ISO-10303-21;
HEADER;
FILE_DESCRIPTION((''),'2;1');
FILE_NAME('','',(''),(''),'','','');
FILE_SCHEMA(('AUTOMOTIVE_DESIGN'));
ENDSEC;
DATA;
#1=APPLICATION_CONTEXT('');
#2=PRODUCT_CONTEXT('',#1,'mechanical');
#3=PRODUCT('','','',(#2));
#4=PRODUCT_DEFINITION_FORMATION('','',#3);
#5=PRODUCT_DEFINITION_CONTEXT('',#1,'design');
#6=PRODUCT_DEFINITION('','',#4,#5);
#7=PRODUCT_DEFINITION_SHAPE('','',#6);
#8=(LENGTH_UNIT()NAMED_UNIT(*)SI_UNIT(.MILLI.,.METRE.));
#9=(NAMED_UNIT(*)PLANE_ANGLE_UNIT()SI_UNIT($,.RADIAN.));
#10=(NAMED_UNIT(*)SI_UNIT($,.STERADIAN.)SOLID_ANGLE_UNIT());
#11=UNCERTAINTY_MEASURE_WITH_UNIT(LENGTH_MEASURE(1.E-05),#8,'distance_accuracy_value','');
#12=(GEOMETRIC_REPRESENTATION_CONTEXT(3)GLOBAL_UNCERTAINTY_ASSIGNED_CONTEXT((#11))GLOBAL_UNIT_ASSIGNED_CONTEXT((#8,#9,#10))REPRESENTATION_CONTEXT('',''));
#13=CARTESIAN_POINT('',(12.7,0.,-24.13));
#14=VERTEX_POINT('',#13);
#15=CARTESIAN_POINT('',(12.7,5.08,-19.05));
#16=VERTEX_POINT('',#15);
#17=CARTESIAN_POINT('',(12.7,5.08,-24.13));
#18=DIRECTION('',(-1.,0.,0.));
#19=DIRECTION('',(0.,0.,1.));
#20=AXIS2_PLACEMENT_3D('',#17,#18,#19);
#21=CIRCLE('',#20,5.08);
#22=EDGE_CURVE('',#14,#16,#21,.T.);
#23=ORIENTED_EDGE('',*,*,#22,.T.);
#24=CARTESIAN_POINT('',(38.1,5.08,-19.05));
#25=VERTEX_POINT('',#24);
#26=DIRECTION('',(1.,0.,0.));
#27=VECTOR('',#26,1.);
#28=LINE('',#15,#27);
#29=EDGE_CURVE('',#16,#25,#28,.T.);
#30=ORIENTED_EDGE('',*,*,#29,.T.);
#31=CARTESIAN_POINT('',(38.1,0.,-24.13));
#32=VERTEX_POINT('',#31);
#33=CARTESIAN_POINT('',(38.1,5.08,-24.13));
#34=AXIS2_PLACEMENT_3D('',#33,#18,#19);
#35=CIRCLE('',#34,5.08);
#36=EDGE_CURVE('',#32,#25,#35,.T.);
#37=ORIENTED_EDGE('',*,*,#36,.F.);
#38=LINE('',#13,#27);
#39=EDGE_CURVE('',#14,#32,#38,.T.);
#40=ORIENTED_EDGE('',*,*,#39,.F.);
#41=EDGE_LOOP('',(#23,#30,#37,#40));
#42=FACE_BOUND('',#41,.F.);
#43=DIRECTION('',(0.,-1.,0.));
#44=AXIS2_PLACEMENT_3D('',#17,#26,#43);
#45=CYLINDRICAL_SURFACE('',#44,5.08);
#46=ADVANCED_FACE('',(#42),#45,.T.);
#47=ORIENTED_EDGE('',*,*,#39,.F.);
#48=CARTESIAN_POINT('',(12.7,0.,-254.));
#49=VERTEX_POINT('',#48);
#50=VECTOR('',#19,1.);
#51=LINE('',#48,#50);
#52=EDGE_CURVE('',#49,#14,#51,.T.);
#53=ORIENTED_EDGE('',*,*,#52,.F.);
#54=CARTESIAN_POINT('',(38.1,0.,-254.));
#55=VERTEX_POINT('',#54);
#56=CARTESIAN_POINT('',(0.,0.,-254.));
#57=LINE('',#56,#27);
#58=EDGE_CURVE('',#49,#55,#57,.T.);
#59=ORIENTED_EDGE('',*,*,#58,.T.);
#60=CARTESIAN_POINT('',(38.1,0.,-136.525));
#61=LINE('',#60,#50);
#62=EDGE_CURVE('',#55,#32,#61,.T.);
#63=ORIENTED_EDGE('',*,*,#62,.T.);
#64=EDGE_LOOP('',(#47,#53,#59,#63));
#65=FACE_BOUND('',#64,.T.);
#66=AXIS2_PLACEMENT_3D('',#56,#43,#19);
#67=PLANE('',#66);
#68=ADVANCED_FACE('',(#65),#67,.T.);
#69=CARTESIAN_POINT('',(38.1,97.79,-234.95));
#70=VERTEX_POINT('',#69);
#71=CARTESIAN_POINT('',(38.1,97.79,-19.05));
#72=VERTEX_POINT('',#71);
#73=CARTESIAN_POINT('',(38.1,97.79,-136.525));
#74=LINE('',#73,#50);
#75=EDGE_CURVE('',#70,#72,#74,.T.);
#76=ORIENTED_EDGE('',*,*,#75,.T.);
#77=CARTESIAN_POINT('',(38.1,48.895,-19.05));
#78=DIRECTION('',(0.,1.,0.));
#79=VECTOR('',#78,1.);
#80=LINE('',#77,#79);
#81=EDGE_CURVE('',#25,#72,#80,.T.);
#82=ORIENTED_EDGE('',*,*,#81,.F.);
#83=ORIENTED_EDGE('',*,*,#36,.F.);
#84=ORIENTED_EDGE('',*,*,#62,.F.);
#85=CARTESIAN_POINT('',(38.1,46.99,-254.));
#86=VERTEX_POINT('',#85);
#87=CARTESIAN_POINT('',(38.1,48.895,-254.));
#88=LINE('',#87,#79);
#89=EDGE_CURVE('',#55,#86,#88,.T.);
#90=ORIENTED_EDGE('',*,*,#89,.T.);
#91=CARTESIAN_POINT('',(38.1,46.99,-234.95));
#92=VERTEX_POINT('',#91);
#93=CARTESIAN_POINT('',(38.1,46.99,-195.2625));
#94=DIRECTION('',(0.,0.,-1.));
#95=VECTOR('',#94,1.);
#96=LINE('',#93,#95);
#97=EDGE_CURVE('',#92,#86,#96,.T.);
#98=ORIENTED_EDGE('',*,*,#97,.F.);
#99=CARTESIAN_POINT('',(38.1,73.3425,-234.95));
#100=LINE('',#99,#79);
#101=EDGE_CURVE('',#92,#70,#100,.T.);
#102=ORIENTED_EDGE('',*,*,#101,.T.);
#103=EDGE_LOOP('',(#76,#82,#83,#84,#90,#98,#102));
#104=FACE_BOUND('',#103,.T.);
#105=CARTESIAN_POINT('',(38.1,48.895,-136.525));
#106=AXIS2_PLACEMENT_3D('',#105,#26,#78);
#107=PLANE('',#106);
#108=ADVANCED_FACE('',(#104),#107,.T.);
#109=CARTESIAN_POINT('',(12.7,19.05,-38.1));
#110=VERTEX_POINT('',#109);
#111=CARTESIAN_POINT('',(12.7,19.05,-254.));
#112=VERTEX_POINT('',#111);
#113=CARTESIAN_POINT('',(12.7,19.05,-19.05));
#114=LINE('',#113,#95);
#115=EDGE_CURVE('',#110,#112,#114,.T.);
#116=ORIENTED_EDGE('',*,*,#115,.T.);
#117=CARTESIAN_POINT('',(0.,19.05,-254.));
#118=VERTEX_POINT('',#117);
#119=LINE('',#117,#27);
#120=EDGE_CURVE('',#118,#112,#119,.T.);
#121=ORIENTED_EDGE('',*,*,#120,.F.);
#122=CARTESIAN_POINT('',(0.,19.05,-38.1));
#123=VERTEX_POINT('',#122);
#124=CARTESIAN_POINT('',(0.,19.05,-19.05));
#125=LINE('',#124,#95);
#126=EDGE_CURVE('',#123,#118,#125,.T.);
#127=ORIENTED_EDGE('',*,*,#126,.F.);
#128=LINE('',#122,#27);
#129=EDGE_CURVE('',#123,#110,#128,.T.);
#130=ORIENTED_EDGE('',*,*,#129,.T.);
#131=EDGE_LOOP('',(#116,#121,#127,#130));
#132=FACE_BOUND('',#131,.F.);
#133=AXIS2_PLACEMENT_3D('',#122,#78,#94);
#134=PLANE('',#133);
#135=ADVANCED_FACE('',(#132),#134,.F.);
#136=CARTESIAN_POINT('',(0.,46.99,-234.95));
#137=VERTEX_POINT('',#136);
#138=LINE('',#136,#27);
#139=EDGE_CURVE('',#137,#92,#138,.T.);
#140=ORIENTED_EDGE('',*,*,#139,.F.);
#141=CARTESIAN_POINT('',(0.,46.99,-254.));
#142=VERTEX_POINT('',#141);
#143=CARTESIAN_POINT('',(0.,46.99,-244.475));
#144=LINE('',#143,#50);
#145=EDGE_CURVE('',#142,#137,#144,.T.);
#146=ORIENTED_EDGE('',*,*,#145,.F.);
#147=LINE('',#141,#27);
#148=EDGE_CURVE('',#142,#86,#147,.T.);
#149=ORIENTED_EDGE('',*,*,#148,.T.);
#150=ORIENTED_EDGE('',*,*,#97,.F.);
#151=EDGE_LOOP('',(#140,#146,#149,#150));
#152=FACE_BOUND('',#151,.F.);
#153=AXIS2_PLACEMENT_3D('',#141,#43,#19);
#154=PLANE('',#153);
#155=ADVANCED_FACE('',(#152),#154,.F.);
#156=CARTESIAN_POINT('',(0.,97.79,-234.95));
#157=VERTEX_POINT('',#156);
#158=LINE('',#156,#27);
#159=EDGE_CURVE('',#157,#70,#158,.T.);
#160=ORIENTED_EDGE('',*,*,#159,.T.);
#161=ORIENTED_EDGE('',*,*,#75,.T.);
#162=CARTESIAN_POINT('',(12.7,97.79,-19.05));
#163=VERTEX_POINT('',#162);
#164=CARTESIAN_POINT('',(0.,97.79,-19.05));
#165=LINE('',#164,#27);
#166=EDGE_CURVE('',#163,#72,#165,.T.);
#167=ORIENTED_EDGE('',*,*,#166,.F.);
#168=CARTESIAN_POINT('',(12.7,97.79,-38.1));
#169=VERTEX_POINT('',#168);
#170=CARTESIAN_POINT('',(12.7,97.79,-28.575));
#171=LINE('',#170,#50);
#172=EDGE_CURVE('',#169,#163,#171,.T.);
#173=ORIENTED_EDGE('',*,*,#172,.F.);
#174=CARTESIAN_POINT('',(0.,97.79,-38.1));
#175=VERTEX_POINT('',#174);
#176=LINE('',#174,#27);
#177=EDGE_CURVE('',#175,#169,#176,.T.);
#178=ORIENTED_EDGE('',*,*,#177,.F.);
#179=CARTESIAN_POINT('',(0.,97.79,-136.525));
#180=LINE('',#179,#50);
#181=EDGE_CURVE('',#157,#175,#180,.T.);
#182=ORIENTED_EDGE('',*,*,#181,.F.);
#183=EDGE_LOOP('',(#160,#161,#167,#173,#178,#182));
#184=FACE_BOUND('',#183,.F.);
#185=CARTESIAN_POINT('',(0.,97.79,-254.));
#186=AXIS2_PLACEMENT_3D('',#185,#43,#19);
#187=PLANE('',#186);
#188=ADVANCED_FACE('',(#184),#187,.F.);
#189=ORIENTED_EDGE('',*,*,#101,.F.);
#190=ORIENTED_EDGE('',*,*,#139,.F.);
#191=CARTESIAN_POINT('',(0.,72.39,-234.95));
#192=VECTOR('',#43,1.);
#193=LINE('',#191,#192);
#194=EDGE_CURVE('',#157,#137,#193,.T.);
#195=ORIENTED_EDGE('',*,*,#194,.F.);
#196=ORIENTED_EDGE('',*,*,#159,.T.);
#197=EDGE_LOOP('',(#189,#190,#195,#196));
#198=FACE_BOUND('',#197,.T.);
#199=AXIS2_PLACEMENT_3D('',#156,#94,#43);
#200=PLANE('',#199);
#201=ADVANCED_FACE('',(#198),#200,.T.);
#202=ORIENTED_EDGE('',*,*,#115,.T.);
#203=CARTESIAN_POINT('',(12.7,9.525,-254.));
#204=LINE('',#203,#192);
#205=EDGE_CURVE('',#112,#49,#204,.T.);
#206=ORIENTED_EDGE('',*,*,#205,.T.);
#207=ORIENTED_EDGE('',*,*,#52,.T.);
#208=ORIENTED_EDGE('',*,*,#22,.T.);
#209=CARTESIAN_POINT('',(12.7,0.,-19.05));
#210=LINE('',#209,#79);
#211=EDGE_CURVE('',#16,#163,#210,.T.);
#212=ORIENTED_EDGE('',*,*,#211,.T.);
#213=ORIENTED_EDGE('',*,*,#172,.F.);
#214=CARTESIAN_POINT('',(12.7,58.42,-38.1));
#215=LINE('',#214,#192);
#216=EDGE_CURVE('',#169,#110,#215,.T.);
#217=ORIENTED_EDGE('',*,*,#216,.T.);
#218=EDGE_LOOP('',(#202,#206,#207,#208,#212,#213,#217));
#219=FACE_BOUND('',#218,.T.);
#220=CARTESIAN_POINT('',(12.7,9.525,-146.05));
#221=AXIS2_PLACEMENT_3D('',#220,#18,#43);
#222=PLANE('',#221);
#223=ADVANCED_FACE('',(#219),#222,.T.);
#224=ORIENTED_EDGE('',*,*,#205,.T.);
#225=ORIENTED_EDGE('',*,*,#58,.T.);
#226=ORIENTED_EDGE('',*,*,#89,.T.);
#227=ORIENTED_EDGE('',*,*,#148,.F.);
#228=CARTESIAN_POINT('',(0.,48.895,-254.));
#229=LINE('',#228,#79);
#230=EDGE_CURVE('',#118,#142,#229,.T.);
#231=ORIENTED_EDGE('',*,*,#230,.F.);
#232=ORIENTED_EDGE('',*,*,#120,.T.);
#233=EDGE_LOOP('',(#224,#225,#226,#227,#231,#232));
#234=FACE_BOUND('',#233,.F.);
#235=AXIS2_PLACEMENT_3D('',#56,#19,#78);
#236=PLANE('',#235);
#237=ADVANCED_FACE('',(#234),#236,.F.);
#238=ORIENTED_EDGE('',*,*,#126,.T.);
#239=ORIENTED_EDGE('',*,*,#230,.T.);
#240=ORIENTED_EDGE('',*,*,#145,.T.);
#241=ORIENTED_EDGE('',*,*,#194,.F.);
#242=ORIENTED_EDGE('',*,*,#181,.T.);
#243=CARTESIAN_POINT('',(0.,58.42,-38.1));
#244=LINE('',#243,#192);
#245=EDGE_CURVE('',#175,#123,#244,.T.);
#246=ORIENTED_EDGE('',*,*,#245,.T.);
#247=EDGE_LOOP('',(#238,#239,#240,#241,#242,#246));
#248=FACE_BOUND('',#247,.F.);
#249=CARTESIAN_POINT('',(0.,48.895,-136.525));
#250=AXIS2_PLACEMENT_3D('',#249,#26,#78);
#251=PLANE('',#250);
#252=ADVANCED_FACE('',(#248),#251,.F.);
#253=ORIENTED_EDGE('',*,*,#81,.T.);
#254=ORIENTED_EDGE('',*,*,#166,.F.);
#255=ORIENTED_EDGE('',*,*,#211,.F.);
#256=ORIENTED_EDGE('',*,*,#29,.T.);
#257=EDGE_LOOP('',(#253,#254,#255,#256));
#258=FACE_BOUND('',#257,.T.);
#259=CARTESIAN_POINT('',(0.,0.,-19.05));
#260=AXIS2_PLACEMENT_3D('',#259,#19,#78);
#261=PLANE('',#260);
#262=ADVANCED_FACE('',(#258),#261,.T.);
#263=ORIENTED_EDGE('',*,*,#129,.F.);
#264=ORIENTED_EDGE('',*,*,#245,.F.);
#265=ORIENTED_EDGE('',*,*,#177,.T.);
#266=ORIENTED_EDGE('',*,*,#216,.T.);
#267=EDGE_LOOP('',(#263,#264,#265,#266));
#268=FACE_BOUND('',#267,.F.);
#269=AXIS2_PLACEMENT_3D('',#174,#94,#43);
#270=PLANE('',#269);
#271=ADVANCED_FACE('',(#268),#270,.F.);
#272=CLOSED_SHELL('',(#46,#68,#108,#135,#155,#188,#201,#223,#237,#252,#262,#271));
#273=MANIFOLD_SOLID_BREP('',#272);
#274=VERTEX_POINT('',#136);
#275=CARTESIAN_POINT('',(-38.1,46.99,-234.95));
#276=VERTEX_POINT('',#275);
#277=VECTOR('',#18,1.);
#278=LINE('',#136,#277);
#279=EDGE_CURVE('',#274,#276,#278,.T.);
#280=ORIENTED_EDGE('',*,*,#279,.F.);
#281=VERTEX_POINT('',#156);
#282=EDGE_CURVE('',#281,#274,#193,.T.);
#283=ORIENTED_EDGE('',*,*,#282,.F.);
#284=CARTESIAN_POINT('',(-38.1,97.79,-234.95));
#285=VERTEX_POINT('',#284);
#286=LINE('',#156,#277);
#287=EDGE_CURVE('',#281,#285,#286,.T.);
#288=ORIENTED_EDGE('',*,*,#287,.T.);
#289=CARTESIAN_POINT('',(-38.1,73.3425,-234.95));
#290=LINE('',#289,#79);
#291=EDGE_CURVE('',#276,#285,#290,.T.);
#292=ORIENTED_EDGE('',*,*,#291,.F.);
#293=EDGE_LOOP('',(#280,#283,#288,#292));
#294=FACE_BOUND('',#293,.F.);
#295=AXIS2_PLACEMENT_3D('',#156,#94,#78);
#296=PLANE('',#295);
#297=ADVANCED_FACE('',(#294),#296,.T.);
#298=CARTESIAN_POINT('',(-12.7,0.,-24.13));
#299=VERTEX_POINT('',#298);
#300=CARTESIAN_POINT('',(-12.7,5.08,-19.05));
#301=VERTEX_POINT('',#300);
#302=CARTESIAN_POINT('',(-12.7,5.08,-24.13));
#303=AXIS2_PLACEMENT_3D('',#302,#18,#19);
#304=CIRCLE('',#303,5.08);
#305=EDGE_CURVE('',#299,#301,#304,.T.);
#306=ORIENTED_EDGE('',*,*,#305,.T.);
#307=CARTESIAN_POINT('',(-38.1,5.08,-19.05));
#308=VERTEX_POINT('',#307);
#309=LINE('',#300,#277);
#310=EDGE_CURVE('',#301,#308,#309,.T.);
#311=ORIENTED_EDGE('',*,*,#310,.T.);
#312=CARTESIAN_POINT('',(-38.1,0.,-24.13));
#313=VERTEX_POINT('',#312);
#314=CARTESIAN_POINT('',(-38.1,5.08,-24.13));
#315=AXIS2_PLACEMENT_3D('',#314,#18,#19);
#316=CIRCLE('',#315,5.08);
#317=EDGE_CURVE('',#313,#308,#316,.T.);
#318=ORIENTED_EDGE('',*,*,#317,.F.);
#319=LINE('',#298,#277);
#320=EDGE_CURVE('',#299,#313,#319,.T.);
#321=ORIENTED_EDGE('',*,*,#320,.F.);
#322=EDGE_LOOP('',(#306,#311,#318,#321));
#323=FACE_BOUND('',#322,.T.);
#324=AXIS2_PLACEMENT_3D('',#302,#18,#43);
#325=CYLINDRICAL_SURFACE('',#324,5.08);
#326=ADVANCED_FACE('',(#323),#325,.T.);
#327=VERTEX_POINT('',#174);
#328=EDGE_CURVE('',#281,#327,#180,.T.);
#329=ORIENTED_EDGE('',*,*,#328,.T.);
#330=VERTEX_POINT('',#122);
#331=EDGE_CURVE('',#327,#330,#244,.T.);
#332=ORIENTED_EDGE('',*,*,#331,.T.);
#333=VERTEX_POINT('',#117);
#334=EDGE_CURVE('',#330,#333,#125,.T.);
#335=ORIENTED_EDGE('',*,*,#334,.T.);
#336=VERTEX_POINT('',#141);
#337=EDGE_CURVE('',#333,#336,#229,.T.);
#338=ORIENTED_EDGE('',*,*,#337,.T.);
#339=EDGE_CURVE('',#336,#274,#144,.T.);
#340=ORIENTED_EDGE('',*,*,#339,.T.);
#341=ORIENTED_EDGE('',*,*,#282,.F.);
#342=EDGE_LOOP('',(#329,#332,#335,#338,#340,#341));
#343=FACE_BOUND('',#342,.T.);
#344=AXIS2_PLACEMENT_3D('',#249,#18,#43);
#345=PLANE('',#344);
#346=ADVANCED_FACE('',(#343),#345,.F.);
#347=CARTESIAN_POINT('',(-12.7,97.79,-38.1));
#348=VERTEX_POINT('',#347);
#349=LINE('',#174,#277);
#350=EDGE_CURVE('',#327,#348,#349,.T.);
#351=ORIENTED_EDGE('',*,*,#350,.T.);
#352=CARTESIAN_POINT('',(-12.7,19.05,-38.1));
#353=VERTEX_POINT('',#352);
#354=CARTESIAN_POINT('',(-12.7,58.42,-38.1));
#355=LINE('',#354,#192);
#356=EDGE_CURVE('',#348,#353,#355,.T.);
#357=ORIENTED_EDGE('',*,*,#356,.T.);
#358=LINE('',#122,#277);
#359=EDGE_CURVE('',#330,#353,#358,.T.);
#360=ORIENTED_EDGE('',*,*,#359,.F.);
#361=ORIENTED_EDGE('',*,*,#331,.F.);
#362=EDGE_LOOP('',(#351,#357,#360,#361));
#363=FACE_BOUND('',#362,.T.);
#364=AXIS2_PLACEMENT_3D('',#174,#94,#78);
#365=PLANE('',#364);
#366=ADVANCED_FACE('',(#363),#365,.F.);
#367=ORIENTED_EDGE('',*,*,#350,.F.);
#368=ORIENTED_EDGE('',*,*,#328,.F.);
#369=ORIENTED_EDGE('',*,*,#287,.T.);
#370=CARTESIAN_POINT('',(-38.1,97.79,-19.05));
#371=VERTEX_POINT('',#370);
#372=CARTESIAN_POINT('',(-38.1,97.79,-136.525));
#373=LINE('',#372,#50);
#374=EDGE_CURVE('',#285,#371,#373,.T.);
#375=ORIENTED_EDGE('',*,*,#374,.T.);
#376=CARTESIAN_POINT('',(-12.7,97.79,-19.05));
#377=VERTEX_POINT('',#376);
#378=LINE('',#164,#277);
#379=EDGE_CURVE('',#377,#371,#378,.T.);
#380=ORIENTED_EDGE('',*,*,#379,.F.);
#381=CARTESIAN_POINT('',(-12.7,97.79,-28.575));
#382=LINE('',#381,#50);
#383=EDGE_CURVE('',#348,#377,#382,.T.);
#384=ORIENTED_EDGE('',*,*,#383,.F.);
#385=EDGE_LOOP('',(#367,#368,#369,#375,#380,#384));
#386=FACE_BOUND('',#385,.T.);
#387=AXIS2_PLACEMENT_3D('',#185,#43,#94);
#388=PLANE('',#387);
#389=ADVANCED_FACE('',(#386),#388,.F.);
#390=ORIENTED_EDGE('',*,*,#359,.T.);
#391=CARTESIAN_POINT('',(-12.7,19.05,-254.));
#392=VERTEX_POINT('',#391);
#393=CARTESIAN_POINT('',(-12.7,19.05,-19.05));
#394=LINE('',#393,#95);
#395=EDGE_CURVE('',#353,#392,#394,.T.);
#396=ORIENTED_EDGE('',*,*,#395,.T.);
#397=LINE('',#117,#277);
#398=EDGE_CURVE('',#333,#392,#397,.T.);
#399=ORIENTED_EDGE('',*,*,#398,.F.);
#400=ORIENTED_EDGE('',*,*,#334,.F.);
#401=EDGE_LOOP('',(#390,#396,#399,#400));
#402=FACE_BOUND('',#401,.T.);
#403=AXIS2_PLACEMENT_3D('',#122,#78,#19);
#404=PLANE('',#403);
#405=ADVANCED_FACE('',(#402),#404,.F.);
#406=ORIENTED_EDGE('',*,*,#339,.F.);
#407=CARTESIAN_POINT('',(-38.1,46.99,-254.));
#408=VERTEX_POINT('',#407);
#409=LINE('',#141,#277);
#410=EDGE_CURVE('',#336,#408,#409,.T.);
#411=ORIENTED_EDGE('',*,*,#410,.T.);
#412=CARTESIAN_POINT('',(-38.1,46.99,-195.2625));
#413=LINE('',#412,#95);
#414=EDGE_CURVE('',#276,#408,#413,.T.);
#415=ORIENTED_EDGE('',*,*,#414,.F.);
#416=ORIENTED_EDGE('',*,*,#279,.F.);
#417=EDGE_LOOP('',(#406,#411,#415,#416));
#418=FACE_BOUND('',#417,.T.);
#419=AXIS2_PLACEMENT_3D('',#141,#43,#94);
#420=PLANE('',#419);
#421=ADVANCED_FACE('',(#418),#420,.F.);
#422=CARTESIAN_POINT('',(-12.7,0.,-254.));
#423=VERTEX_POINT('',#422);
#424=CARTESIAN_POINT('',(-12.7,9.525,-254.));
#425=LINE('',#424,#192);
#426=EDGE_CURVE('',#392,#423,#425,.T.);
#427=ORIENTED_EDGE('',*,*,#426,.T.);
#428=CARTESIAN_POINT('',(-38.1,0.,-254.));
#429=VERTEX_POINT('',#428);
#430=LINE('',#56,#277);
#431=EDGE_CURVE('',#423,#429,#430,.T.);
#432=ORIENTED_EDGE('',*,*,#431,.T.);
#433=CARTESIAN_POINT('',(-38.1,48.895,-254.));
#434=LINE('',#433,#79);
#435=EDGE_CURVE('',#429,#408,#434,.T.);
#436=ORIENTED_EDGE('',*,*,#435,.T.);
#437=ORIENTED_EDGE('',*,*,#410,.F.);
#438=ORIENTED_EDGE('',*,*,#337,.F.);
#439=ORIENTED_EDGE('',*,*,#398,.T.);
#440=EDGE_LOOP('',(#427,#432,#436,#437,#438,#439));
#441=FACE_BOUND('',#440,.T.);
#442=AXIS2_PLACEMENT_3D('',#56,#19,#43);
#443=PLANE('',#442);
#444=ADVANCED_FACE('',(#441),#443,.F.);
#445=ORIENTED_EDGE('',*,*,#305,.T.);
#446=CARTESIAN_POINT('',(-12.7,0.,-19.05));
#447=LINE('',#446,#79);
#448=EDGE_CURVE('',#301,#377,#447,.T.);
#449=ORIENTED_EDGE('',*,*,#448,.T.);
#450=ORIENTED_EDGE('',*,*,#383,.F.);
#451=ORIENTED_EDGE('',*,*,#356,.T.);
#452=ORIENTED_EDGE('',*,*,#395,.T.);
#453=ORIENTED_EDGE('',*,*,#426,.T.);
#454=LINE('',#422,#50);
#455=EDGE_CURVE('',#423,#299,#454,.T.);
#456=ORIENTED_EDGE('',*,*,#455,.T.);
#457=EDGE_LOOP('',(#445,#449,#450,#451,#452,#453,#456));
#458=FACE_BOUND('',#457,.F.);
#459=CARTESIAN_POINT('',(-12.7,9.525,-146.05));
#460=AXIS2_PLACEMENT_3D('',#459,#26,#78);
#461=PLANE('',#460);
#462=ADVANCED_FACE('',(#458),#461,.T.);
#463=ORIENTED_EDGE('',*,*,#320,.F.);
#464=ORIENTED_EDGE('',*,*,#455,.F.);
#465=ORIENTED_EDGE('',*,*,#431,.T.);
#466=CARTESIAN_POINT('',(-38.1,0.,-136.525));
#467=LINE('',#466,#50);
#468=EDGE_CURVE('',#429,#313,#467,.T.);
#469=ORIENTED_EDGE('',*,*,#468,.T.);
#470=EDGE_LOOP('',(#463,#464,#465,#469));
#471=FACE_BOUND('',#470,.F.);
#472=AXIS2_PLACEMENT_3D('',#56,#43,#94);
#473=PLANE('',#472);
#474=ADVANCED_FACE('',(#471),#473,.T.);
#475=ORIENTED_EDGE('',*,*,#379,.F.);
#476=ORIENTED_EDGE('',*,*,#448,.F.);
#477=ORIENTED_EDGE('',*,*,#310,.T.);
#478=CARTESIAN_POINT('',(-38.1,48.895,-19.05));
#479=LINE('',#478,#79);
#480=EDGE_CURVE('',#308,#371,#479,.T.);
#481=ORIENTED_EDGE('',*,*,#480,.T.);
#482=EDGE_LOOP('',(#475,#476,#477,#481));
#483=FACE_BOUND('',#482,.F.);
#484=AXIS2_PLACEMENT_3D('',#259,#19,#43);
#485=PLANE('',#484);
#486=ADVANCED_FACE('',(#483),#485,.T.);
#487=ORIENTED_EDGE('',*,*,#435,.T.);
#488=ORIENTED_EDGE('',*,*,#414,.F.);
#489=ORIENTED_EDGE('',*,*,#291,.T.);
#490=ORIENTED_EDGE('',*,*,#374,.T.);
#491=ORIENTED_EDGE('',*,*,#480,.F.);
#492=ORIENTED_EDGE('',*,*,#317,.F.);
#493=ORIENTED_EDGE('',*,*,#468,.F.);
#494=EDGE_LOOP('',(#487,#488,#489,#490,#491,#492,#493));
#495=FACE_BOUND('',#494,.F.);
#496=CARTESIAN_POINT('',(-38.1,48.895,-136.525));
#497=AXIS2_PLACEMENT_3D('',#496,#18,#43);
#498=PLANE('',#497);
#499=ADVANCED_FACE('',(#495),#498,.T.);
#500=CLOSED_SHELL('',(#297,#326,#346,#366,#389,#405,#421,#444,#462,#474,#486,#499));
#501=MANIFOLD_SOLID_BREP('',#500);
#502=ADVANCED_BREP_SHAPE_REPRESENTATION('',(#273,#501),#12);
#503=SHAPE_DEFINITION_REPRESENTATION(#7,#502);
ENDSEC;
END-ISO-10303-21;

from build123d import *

# Parameters (mm, degrees)
F0_W     = 97.79
F0_H     = 234.95
F1_DEPTH = 38.1
F2_W     = 19.05
F2_H     = 215.9
F2_H_2   = 19.05
F2_W_2   = 78.74
F3_DEPTH = 12.7
F2_W_3   = 50.8
F4_DEPTH = 38.101
F5_R     = 5.08


with BuildPart() as f1:
    # F0 (on Right) → F1 (new body)
    with BuildSketch(Plane.YZ):
        with Locations((48.895, -136.525)):
            Rectangle(F0_W, F0_H)
    extrude(amount=F1_DEPTH)

    # F2 (on face) → F3 (cut)
    with BuildSketch(Plane(origin=(0, 0, 0), x_dir=(0, -1, 0), z_dir=(-1, 0, 0))):
        with Locations((-9.525, -146.05)):
            Rectangle(F2_W, F2_H)
        with Locations((-9.525, -28.575)):
            Rectangle(F2_W, F2_H_2)
        with Locations((-58.42, -28.575)):
            Rectangle(F2_W_2, F2_H_2)
    extrude(amount=-F3_DEPTH, mode=Mode.SUBTRACT)

    # F2 (on face) → F4 (cut, through all)
    with BuildSketch(Plane(origin=(0, 0, 0), x_dir=(0, -1, 0), z_dir=(-1, 0, 0))):
        with Locations((-72.39, -244.475)):
            Rectangle(F2_W_3, F2_H_2)
    extrude(amount=-F4_DEPTH, mode=Mode.SUBTRACT)

    # F5
    f5_edges = [f1.edges().sort_by_distance(p)[0] for p in [
        (25.4, 0, -19.05),
    ]]
    fillet(f5_edges, radius=F5_R)


with BuildPart() as f6_1:
    # F6: instance of F1
    add(f1.part.mirror(Plane.YZ))


solid = Compound([f1.part, f6_1.part])
